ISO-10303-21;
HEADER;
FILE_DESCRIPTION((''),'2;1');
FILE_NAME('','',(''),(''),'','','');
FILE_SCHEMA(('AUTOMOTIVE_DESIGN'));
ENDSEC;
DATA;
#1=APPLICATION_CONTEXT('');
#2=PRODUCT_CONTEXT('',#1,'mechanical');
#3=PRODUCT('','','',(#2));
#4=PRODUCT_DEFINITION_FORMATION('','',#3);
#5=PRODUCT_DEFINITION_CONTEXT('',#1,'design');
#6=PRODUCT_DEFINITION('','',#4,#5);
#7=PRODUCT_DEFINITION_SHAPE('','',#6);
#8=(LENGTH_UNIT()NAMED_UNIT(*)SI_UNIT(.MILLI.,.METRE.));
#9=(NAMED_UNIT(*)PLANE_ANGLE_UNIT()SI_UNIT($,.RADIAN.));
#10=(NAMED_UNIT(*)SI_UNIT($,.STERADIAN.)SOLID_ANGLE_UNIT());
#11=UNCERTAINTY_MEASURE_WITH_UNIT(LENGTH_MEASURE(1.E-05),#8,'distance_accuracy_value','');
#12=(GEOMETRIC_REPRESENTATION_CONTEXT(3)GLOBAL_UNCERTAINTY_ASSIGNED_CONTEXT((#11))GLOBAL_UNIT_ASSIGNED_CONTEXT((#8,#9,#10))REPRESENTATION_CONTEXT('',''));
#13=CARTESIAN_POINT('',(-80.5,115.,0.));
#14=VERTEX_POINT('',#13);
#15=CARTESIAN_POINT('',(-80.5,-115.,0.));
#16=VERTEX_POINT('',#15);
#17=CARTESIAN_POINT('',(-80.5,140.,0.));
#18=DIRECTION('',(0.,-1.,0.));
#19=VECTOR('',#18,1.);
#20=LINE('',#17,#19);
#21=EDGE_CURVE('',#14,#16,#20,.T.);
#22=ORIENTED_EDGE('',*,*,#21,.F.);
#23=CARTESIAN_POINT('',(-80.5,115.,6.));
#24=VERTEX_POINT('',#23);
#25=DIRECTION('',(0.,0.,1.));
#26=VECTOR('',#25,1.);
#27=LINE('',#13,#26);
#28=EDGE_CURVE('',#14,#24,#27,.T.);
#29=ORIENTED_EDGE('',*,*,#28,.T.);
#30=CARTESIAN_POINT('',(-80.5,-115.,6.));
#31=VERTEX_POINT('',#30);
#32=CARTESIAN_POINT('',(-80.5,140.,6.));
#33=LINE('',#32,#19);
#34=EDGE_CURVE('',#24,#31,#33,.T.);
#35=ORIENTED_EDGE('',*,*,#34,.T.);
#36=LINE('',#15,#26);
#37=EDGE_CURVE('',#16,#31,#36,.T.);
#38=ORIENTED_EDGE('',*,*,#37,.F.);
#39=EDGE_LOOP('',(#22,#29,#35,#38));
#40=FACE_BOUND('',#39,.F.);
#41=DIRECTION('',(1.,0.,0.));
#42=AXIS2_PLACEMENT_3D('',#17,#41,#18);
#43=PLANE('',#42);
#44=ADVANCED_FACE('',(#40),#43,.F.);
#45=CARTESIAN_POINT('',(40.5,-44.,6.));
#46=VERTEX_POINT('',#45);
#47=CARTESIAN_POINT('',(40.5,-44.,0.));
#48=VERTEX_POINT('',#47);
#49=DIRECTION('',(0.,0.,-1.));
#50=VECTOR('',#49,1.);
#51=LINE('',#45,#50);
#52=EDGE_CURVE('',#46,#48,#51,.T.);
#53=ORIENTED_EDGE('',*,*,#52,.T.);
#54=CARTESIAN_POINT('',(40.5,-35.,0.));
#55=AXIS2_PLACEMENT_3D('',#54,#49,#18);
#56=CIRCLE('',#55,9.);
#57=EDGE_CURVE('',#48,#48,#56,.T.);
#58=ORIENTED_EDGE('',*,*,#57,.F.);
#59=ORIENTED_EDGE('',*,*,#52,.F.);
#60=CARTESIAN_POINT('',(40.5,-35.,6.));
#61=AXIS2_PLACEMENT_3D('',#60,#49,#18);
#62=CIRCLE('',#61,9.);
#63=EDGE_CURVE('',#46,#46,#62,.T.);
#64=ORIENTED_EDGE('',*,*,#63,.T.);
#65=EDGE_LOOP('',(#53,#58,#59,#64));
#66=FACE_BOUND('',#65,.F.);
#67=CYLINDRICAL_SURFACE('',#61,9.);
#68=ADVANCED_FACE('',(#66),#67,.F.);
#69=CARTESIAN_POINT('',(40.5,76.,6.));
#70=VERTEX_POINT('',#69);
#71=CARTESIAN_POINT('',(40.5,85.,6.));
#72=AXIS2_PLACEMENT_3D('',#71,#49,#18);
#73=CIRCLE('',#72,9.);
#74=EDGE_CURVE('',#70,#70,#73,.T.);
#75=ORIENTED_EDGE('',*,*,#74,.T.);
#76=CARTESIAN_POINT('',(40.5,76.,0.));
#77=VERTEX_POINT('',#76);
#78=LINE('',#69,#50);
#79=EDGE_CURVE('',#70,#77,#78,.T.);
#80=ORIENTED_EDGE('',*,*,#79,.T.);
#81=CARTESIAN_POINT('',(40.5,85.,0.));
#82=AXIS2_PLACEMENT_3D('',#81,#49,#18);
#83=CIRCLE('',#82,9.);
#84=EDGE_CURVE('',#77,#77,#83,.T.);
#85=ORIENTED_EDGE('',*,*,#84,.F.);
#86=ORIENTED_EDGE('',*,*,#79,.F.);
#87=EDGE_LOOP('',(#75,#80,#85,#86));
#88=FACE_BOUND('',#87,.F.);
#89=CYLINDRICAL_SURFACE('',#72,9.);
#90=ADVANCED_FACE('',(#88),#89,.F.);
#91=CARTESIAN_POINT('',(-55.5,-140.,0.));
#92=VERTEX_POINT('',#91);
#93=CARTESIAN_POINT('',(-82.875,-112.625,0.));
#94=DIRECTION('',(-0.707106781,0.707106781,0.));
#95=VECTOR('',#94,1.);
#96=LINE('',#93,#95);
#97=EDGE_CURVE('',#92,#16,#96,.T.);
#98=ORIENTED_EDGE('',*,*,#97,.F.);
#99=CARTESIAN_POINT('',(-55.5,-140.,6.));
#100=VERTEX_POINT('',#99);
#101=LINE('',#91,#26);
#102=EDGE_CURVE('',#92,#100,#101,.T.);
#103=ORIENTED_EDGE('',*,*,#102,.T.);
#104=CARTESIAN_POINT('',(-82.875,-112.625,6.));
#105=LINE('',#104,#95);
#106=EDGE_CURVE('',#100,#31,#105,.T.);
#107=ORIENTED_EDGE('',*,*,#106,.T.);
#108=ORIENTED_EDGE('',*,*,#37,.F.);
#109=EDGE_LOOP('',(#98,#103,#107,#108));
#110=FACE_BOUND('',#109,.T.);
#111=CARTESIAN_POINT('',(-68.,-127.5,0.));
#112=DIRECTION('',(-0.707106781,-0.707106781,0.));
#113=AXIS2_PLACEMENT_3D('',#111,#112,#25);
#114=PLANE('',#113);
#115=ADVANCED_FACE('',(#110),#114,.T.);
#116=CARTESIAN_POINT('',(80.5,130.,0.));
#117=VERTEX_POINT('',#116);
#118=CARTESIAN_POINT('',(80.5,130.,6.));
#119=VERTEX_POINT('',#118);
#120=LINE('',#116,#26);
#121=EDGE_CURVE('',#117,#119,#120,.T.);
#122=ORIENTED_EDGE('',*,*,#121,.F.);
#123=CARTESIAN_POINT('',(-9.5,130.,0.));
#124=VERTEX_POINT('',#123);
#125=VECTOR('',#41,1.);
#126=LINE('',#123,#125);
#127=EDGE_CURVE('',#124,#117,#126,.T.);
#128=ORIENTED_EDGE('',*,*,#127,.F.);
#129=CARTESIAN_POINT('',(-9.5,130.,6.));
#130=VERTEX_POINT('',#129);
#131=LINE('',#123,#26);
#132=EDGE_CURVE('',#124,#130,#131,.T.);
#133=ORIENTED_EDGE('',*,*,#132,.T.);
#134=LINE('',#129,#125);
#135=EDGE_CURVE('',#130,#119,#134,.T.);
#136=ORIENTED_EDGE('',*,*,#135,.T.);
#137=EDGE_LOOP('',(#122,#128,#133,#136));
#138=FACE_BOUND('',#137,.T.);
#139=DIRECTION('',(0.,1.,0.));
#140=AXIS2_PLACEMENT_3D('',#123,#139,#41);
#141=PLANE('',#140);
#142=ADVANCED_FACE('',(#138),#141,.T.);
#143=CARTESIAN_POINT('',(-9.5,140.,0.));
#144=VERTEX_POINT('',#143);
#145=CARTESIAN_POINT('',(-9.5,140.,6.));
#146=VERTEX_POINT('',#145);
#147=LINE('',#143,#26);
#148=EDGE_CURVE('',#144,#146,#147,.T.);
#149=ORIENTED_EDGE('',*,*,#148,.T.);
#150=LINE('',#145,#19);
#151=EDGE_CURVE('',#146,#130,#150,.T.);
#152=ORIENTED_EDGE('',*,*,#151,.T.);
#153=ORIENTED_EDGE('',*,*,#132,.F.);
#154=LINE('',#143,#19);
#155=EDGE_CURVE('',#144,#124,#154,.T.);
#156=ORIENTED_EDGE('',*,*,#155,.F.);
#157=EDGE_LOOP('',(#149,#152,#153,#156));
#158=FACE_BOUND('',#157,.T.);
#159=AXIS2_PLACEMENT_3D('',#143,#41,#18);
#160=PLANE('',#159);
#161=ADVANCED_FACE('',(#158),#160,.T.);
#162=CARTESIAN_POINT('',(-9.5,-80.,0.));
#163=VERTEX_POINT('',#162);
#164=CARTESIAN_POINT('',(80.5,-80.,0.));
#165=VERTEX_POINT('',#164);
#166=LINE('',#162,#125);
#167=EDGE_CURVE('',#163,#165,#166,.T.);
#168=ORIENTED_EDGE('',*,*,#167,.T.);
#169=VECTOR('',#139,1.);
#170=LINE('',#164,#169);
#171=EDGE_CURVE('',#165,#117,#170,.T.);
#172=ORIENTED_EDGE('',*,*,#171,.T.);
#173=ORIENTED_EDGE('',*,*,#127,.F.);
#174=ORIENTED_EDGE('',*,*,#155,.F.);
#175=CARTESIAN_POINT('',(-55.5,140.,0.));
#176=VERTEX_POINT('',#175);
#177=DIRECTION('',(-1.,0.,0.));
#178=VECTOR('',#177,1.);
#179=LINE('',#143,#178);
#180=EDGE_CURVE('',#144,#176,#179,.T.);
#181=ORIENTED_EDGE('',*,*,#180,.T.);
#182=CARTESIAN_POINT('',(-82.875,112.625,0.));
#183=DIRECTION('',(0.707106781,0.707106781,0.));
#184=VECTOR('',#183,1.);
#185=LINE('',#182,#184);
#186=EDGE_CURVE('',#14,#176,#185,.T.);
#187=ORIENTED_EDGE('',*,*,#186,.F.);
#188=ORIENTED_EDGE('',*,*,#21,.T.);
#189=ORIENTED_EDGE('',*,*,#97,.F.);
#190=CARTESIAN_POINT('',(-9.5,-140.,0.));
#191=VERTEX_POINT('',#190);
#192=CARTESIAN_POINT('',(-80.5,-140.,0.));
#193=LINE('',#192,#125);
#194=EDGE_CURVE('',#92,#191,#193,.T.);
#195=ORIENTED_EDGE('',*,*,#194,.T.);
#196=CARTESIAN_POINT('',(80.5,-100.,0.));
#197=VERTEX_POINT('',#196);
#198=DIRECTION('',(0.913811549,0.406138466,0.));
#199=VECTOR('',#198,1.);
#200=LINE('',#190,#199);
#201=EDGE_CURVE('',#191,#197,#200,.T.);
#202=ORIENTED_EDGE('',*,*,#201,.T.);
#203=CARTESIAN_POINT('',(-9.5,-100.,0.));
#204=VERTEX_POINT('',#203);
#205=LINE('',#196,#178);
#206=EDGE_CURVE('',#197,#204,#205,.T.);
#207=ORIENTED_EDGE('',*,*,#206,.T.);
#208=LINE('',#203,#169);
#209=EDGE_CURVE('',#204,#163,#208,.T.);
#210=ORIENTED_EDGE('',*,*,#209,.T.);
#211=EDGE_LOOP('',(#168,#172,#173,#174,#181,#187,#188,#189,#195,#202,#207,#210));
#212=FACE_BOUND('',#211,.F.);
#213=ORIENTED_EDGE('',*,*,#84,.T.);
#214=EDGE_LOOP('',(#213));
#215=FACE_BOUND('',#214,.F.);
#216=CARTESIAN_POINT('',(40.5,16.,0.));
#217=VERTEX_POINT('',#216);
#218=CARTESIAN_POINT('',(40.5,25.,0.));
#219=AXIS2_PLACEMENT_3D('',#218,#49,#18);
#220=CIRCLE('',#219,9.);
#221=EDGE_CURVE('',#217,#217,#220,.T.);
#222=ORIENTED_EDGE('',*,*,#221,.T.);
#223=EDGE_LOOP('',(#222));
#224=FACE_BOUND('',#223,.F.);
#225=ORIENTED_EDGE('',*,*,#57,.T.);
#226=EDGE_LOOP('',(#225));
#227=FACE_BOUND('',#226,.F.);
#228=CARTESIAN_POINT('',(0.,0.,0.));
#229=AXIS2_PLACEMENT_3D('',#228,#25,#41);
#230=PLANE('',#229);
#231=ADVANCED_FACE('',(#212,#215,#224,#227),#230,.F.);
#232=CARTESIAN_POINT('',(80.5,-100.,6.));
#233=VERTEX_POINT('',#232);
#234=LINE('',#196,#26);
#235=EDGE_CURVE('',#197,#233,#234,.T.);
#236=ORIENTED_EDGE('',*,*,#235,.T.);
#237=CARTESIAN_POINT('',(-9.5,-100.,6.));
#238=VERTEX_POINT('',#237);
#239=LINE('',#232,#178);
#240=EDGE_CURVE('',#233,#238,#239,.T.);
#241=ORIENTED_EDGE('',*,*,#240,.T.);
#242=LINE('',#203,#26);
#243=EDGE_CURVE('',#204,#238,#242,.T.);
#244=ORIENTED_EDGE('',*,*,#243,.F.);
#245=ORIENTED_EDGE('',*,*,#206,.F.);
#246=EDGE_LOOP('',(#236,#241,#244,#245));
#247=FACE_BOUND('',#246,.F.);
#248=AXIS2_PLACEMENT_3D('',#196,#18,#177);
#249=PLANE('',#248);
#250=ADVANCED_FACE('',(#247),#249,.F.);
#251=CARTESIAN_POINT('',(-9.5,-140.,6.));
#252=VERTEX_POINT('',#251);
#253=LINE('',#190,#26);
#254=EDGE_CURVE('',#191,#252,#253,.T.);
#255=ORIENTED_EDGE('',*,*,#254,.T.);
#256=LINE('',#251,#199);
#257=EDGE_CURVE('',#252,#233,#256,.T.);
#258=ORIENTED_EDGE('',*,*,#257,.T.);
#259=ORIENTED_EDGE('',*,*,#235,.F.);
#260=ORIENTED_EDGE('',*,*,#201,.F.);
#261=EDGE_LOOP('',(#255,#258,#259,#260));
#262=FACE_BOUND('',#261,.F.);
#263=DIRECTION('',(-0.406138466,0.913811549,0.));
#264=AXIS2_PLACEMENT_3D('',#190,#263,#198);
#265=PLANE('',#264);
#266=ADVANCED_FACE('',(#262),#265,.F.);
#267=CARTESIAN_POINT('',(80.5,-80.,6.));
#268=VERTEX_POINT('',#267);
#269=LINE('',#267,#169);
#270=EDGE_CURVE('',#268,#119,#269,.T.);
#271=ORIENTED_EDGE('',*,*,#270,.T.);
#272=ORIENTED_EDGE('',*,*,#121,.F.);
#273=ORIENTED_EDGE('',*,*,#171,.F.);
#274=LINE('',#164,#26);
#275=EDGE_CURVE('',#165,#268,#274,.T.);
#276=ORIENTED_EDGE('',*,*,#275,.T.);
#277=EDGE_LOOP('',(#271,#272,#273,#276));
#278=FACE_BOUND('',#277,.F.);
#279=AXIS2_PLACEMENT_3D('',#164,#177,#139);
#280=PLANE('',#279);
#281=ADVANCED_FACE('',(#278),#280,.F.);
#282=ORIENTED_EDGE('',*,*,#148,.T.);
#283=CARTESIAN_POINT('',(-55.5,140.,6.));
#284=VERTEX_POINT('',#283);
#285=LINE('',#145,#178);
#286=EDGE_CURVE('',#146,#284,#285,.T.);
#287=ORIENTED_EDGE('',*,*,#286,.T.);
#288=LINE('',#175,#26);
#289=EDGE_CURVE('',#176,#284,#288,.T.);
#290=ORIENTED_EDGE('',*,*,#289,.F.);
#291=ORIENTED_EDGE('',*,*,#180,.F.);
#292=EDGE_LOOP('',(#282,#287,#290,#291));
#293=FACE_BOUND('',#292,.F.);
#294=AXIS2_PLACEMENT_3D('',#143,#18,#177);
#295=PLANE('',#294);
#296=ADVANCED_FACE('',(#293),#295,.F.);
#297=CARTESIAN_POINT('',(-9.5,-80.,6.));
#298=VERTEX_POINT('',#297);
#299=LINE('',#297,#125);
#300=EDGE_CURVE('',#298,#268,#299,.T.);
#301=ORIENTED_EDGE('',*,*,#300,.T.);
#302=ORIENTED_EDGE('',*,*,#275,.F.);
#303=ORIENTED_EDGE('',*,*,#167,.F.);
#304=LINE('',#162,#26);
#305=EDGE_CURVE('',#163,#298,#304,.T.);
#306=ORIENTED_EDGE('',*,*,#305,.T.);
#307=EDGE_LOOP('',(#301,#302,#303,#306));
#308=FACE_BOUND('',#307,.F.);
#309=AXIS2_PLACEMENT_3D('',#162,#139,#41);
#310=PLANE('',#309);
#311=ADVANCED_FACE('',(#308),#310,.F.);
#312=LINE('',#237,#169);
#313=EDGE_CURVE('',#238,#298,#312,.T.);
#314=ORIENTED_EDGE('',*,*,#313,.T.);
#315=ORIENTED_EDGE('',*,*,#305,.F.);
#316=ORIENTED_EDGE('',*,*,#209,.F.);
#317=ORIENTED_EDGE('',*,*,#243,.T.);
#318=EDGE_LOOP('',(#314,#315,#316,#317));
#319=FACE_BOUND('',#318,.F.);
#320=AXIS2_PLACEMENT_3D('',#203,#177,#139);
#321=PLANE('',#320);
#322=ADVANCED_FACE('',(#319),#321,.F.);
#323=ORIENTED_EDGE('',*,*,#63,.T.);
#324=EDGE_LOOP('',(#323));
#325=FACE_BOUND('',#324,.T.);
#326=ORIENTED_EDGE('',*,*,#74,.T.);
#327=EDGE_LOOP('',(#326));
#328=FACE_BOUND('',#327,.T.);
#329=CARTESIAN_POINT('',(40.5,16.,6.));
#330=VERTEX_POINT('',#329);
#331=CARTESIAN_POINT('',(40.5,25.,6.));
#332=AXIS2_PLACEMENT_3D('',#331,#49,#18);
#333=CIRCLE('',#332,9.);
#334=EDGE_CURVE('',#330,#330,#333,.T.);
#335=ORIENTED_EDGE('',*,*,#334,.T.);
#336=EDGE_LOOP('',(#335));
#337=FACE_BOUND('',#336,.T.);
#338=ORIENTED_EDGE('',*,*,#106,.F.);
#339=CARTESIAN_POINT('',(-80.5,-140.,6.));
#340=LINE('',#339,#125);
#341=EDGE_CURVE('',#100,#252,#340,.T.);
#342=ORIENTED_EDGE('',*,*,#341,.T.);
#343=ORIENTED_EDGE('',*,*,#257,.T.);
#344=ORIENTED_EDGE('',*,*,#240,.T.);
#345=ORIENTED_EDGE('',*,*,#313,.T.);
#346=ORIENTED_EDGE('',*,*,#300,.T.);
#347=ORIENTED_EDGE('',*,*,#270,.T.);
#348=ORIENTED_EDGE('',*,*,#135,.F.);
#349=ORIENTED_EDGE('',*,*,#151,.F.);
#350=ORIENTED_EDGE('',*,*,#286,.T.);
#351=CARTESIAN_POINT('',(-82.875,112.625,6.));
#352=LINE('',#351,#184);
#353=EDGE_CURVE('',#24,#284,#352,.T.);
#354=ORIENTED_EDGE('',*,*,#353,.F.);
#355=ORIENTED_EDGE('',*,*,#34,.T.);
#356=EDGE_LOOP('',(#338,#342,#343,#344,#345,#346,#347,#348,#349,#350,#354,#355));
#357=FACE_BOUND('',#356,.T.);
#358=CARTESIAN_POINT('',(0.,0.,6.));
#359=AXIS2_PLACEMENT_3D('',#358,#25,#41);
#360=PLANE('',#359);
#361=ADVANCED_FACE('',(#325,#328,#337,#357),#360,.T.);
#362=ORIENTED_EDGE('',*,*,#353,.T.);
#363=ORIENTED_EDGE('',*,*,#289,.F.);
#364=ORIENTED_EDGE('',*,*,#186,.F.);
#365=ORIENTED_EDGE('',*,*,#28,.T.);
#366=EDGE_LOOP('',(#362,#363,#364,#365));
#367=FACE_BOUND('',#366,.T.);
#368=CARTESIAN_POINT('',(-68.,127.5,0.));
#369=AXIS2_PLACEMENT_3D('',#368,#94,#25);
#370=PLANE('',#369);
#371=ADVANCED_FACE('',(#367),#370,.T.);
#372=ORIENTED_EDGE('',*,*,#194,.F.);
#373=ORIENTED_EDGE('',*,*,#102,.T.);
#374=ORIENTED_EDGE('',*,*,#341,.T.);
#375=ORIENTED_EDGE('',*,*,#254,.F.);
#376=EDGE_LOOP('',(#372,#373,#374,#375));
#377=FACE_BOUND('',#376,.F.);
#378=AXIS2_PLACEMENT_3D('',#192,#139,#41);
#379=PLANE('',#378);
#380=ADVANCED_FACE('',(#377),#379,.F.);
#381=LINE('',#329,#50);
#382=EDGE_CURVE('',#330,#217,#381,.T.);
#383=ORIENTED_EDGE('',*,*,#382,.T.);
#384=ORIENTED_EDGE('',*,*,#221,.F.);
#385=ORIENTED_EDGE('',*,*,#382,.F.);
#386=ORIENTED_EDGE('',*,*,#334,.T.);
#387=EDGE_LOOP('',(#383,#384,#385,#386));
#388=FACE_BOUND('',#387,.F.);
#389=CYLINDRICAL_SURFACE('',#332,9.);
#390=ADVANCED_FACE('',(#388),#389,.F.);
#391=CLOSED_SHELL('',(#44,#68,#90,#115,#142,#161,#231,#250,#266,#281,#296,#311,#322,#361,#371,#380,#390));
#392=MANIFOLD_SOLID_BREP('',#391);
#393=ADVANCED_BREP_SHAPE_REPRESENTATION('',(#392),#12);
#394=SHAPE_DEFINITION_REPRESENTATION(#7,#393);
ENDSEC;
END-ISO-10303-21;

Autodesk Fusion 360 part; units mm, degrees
sketch "スケッチ1" plane through (0, 0, 0) normal (0, 0, 1) x (1, 0, 0)
  line L0 (-9.5, 140) -> (-80.5, 140)
  line L1 (-80.5, 140) -> (-80.5, -140)
  line L2 (-80.5, -140) -> (-9.5, -140)
  line L3 (80.5, -80) -> (80.5, 130)
  line L4 (74.75, 130) -> (-80.5, -140) construction
  line L5 (-9.5, 140) -> (-9.5, 130)
  line L6 (-9.5, 130) -> (80.5, 130)
  line L7 (-80.5, -140) -> (-9.5, -140) construction
  line L8 (-9.5, -140) -> (80.5, -100)
  line L9 (80.5, -100) -> (-9.5, -100)
  line L10 (-9.5, -100) -> (-9.5, -80)
  line L11 (-9.5, -80) -> (80.5, -80)
  line L12 (-80.5, 140) -> (46, -80) construction
  line L13 (57.5, -100) -> (62.1814, -108.1416) construction
  dimension "d2" = 280
  dimension "d5" = 71
  dimension "d7" = 90
  dimension "d8" = 20
extrude "押し出し1" add sketch "スケッチ1" along normal blind 6
chamfer "面取り1" distance 25 angle 45 2 edges at (-80.5, -140, 3) (-80.5, 140, 3)
sketch "スケッチ2" plane through (0, 0, 6) normal (0, 0, 1) x (-1, 0, 0)
  line L0 (55.5, -140) -> (80.5, -115)
  line L1 (80.5, -115) -> (80.5, 115)
  line L2 (80.5, 115) -> (55.5, 140)
  line L3 (55.5, 140) -> (9.5, 140)
  line L4 (9.5, 140) -> (-80.5, 100)
  line L5 (-80.5, 100) -> (9.5, 100)
  line L6 (9.5, 100) -> (9.5, 80)
  line L7 (9.5, 80) -> (-80.5, 80)
  line L8 (-80.5, 80) -> (-80.5, -130)
  line L9 (-80.5, -130) -> (9.5, -130)
  line L10 (9.5, -130) -> (9.5, -140)
  line L11 (9.5, -140) -> (55.5, -140)
  line L12 (-80.5, -130) -> (-40.5, -130) construction
  line L13 (-40.5, -130) -> (-40.5, -85) construction
  line L14 (-40.5, -85) -> (-80.5, -85) construction
  line L15 (-80.5, -85) -> (-80.5, -130) construction
  line L16 (-40.5, -85) -> (-40.5, -25) construction
  line L17 (-40.5, -25) -> (-40.5, 35) construction
  point P0 (-40.5, -85)
  point P1 (-40.5, -25)
  point P2 (-40.5, 35)
  dimension "d12" = 40
  dimension "d13" = 45
  dimension "d14" = 60
  dimension "d15" = 60
hole "穴1" at (40.5, 85, 6) at (40.5, 25, 6) at (40.5, -35, 6) direction (0, 0, -1) diameter 18 end through all
equation "d5 = 25 mm + 46 mm"
